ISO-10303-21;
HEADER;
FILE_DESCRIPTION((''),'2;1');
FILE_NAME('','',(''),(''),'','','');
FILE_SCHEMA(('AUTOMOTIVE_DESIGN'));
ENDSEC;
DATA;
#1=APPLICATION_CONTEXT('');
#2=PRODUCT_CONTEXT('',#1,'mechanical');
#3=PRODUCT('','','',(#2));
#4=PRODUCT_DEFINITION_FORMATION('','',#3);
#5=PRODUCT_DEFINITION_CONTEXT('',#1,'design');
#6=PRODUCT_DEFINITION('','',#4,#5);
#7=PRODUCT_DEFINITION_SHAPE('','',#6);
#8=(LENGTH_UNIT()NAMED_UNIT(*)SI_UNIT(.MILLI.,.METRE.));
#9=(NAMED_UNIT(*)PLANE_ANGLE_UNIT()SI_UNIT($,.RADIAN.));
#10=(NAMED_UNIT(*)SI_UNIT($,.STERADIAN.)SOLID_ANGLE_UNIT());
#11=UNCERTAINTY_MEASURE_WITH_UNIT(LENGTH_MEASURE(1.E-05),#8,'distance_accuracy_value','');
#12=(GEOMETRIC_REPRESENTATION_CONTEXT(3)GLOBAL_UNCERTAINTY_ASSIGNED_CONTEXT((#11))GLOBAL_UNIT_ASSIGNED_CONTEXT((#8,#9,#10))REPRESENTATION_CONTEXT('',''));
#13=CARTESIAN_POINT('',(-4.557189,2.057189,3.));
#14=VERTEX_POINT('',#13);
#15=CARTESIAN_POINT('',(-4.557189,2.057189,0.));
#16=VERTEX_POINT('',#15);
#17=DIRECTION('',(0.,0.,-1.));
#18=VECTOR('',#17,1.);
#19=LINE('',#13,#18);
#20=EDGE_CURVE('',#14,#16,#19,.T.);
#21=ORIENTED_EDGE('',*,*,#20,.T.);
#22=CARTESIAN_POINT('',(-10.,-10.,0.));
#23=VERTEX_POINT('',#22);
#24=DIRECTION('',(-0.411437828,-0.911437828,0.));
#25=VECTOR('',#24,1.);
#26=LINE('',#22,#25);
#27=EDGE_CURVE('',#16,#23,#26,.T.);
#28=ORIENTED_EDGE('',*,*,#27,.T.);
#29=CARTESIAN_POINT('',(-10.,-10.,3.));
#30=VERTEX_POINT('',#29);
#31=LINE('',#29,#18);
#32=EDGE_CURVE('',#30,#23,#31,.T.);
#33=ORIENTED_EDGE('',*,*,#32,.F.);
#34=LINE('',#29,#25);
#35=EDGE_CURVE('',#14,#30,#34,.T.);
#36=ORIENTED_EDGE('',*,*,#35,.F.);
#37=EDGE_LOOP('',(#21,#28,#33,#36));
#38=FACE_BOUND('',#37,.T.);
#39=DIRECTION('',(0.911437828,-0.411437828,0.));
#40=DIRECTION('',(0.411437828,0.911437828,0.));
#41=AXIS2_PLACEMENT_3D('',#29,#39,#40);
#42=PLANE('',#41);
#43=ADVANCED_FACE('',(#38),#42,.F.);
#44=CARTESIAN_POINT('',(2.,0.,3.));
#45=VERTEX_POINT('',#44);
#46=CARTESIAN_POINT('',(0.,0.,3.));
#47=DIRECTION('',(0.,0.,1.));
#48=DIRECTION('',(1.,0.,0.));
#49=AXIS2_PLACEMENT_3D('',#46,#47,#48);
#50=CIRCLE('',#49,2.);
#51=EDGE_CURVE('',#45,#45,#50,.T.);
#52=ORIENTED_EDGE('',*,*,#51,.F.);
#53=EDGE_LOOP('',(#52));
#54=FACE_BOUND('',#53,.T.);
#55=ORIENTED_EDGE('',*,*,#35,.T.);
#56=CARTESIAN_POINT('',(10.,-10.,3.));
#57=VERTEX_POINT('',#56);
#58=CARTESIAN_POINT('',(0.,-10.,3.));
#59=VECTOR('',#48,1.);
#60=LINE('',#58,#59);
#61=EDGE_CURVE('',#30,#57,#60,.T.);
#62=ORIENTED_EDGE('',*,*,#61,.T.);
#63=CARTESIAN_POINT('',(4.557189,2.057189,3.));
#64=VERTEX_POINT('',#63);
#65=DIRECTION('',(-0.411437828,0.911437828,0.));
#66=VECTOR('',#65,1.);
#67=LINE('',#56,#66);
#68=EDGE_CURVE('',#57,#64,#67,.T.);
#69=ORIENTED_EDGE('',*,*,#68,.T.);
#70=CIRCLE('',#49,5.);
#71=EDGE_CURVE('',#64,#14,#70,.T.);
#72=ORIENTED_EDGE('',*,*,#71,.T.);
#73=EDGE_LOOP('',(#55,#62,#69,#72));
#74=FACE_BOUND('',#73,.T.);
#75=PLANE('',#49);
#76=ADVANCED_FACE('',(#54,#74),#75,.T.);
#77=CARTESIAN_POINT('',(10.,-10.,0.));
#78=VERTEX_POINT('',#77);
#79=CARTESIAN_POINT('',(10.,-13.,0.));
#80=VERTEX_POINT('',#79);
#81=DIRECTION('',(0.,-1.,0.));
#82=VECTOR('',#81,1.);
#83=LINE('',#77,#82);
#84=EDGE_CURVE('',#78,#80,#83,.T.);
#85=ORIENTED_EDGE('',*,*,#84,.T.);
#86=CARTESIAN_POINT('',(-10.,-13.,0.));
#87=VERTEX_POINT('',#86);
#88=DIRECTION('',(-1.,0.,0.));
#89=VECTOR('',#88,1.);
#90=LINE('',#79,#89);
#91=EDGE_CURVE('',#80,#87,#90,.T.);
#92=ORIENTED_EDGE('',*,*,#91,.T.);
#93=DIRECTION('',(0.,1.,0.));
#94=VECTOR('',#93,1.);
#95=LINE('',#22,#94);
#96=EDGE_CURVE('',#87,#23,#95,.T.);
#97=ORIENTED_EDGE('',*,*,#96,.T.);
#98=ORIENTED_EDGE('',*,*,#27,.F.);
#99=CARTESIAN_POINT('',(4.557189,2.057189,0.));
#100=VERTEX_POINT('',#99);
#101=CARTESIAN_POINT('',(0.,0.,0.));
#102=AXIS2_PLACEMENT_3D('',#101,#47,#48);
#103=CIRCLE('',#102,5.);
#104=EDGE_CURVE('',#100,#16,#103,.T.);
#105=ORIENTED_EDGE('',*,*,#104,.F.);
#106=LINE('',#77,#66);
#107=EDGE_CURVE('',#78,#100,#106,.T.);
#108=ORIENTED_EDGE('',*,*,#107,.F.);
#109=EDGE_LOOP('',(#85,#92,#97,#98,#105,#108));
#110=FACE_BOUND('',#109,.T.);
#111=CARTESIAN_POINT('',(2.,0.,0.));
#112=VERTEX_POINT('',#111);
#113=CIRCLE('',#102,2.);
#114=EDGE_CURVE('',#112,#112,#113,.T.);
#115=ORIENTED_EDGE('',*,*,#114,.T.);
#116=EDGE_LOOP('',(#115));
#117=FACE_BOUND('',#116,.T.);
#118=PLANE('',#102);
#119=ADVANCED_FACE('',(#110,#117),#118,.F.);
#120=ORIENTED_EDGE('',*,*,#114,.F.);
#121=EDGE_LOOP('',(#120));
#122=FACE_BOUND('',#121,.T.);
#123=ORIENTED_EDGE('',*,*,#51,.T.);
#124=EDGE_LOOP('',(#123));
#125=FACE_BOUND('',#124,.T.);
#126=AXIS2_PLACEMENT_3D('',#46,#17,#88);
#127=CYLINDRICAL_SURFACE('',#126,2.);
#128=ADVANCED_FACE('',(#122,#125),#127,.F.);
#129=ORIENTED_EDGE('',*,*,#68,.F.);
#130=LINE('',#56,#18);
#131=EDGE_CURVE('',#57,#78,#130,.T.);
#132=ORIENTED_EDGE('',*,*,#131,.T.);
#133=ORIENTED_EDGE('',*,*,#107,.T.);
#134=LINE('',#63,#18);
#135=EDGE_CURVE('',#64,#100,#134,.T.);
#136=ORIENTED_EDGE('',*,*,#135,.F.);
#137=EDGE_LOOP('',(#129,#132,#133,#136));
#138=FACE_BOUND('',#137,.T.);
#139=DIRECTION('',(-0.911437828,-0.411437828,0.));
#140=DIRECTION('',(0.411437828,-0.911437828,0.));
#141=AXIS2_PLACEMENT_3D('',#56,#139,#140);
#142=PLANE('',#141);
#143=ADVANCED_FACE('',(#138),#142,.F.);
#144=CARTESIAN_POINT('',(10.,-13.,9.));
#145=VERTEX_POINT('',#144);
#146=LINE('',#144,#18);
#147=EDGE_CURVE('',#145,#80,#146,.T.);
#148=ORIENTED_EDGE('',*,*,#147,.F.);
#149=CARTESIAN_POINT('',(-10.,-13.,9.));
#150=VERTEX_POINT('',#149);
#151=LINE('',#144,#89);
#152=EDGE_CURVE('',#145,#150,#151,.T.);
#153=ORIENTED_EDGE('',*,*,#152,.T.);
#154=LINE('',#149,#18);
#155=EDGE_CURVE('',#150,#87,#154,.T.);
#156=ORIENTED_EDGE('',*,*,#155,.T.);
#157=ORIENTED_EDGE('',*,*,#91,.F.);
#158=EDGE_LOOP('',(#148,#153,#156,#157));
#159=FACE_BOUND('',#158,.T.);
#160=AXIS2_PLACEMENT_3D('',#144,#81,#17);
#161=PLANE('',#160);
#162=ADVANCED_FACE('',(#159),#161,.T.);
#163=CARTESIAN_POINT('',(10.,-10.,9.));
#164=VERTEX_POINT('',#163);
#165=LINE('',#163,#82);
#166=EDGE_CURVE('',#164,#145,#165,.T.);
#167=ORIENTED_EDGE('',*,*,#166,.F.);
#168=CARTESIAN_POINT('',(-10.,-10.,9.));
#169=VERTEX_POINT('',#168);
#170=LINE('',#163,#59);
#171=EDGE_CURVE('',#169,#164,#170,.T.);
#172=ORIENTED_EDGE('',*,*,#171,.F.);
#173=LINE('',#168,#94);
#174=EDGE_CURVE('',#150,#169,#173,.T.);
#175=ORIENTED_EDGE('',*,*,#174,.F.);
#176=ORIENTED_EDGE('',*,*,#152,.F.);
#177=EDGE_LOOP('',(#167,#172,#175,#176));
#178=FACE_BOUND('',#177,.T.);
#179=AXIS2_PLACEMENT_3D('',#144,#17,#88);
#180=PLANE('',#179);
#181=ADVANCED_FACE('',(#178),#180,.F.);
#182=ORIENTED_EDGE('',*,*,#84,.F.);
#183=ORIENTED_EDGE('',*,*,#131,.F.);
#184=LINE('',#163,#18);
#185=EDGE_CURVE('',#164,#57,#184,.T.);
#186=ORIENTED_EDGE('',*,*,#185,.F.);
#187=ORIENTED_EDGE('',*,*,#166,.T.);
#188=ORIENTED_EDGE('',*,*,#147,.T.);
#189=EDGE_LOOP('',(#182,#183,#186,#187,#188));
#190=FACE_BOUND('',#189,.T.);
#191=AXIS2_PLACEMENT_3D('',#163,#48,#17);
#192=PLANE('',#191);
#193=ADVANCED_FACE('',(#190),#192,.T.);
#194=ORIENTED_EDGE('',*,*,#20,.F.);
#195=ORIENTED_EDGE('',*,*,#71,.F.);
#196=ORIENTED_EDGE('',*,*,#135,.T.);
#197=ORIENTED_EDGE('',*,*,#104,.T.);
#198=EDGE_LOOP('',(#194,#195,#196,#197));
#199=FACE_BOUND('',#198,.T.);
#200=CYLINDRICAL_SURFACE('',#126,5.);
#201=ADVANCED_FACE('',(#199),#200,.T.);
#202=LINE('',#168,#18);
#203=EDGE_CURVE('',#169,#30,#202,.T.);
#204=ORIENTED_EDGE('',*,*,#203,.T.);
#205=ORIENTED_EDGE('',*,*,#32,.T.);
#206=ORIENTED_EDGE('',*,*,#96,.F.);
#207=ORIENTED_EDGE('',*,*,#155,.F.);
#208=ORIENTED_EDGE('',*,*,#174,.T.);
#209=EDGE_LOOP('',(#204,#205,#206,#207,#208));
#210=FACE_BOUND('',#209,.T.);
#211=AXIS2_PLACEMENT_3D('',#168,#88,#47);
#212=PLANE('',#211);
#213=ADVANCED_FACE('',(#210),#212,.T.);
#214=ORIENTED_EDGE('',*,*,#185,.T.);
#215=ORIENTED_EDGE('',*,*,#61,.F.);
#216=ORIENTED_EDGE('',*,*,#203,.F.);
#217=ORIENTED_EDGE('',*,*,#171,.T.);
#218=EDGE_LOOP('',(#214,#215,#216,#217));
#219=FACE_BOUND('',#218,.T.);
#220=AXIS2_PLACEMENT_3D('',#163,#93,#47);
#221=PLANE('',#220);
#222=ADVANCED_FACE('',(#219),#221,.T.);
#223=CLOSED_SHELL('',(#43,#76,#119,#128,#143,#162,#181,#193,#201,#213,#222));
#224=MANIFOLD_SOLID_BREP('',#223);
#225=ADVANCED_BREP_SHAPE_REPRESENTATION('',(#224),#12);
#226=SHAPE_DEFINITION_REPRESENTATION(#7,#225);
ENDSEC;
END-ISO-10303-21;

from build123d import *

# Parameters (mm, degrees)
SKETCH_1_R      = 2
EXTRUDE_1_DEPTH = 3
SKETCH_2_W      = 20
SKETCH_2_H      = 3
EXTRUDE_2_DEPTH = 9


with BuildPart() as part:
    # 草图1 → 凸台-拉伸1 (new body)
    with BuildSketch(Plane.XY):
        with BuildLine():
            Line((0, -10), (-10, -10))
            Line((-10, -10), (-4.557189139, 2.057189139))
            ThreePointArc((-4.557189139, 2.057189139), (0, 5), (4.557189139, 2.057189139))
            Line((4.557189139, 2.057189139), (10, -10))
            Line((10, -10), (0, -10))
        make_face()
        Circle(SKETCH_1_R, mode=Mode.SUBTRACT)
    extrude(amount=EXTRUDE_1_DEPTH)

    # 草图2 → 凸台-拉伸2 (add)
    with BuildSketch(Plane(origin=(0, 0, 0), x_dir=(-1, 0, 0), z_dir=(0, 0, -1))):
        with Locations((0, -11.5)):
            Rectangle(SKETCH_2_W, SKETCH_2_H)
    extrude(amount=-EXTRUDE_2_DEPTH)


solid = part.part
